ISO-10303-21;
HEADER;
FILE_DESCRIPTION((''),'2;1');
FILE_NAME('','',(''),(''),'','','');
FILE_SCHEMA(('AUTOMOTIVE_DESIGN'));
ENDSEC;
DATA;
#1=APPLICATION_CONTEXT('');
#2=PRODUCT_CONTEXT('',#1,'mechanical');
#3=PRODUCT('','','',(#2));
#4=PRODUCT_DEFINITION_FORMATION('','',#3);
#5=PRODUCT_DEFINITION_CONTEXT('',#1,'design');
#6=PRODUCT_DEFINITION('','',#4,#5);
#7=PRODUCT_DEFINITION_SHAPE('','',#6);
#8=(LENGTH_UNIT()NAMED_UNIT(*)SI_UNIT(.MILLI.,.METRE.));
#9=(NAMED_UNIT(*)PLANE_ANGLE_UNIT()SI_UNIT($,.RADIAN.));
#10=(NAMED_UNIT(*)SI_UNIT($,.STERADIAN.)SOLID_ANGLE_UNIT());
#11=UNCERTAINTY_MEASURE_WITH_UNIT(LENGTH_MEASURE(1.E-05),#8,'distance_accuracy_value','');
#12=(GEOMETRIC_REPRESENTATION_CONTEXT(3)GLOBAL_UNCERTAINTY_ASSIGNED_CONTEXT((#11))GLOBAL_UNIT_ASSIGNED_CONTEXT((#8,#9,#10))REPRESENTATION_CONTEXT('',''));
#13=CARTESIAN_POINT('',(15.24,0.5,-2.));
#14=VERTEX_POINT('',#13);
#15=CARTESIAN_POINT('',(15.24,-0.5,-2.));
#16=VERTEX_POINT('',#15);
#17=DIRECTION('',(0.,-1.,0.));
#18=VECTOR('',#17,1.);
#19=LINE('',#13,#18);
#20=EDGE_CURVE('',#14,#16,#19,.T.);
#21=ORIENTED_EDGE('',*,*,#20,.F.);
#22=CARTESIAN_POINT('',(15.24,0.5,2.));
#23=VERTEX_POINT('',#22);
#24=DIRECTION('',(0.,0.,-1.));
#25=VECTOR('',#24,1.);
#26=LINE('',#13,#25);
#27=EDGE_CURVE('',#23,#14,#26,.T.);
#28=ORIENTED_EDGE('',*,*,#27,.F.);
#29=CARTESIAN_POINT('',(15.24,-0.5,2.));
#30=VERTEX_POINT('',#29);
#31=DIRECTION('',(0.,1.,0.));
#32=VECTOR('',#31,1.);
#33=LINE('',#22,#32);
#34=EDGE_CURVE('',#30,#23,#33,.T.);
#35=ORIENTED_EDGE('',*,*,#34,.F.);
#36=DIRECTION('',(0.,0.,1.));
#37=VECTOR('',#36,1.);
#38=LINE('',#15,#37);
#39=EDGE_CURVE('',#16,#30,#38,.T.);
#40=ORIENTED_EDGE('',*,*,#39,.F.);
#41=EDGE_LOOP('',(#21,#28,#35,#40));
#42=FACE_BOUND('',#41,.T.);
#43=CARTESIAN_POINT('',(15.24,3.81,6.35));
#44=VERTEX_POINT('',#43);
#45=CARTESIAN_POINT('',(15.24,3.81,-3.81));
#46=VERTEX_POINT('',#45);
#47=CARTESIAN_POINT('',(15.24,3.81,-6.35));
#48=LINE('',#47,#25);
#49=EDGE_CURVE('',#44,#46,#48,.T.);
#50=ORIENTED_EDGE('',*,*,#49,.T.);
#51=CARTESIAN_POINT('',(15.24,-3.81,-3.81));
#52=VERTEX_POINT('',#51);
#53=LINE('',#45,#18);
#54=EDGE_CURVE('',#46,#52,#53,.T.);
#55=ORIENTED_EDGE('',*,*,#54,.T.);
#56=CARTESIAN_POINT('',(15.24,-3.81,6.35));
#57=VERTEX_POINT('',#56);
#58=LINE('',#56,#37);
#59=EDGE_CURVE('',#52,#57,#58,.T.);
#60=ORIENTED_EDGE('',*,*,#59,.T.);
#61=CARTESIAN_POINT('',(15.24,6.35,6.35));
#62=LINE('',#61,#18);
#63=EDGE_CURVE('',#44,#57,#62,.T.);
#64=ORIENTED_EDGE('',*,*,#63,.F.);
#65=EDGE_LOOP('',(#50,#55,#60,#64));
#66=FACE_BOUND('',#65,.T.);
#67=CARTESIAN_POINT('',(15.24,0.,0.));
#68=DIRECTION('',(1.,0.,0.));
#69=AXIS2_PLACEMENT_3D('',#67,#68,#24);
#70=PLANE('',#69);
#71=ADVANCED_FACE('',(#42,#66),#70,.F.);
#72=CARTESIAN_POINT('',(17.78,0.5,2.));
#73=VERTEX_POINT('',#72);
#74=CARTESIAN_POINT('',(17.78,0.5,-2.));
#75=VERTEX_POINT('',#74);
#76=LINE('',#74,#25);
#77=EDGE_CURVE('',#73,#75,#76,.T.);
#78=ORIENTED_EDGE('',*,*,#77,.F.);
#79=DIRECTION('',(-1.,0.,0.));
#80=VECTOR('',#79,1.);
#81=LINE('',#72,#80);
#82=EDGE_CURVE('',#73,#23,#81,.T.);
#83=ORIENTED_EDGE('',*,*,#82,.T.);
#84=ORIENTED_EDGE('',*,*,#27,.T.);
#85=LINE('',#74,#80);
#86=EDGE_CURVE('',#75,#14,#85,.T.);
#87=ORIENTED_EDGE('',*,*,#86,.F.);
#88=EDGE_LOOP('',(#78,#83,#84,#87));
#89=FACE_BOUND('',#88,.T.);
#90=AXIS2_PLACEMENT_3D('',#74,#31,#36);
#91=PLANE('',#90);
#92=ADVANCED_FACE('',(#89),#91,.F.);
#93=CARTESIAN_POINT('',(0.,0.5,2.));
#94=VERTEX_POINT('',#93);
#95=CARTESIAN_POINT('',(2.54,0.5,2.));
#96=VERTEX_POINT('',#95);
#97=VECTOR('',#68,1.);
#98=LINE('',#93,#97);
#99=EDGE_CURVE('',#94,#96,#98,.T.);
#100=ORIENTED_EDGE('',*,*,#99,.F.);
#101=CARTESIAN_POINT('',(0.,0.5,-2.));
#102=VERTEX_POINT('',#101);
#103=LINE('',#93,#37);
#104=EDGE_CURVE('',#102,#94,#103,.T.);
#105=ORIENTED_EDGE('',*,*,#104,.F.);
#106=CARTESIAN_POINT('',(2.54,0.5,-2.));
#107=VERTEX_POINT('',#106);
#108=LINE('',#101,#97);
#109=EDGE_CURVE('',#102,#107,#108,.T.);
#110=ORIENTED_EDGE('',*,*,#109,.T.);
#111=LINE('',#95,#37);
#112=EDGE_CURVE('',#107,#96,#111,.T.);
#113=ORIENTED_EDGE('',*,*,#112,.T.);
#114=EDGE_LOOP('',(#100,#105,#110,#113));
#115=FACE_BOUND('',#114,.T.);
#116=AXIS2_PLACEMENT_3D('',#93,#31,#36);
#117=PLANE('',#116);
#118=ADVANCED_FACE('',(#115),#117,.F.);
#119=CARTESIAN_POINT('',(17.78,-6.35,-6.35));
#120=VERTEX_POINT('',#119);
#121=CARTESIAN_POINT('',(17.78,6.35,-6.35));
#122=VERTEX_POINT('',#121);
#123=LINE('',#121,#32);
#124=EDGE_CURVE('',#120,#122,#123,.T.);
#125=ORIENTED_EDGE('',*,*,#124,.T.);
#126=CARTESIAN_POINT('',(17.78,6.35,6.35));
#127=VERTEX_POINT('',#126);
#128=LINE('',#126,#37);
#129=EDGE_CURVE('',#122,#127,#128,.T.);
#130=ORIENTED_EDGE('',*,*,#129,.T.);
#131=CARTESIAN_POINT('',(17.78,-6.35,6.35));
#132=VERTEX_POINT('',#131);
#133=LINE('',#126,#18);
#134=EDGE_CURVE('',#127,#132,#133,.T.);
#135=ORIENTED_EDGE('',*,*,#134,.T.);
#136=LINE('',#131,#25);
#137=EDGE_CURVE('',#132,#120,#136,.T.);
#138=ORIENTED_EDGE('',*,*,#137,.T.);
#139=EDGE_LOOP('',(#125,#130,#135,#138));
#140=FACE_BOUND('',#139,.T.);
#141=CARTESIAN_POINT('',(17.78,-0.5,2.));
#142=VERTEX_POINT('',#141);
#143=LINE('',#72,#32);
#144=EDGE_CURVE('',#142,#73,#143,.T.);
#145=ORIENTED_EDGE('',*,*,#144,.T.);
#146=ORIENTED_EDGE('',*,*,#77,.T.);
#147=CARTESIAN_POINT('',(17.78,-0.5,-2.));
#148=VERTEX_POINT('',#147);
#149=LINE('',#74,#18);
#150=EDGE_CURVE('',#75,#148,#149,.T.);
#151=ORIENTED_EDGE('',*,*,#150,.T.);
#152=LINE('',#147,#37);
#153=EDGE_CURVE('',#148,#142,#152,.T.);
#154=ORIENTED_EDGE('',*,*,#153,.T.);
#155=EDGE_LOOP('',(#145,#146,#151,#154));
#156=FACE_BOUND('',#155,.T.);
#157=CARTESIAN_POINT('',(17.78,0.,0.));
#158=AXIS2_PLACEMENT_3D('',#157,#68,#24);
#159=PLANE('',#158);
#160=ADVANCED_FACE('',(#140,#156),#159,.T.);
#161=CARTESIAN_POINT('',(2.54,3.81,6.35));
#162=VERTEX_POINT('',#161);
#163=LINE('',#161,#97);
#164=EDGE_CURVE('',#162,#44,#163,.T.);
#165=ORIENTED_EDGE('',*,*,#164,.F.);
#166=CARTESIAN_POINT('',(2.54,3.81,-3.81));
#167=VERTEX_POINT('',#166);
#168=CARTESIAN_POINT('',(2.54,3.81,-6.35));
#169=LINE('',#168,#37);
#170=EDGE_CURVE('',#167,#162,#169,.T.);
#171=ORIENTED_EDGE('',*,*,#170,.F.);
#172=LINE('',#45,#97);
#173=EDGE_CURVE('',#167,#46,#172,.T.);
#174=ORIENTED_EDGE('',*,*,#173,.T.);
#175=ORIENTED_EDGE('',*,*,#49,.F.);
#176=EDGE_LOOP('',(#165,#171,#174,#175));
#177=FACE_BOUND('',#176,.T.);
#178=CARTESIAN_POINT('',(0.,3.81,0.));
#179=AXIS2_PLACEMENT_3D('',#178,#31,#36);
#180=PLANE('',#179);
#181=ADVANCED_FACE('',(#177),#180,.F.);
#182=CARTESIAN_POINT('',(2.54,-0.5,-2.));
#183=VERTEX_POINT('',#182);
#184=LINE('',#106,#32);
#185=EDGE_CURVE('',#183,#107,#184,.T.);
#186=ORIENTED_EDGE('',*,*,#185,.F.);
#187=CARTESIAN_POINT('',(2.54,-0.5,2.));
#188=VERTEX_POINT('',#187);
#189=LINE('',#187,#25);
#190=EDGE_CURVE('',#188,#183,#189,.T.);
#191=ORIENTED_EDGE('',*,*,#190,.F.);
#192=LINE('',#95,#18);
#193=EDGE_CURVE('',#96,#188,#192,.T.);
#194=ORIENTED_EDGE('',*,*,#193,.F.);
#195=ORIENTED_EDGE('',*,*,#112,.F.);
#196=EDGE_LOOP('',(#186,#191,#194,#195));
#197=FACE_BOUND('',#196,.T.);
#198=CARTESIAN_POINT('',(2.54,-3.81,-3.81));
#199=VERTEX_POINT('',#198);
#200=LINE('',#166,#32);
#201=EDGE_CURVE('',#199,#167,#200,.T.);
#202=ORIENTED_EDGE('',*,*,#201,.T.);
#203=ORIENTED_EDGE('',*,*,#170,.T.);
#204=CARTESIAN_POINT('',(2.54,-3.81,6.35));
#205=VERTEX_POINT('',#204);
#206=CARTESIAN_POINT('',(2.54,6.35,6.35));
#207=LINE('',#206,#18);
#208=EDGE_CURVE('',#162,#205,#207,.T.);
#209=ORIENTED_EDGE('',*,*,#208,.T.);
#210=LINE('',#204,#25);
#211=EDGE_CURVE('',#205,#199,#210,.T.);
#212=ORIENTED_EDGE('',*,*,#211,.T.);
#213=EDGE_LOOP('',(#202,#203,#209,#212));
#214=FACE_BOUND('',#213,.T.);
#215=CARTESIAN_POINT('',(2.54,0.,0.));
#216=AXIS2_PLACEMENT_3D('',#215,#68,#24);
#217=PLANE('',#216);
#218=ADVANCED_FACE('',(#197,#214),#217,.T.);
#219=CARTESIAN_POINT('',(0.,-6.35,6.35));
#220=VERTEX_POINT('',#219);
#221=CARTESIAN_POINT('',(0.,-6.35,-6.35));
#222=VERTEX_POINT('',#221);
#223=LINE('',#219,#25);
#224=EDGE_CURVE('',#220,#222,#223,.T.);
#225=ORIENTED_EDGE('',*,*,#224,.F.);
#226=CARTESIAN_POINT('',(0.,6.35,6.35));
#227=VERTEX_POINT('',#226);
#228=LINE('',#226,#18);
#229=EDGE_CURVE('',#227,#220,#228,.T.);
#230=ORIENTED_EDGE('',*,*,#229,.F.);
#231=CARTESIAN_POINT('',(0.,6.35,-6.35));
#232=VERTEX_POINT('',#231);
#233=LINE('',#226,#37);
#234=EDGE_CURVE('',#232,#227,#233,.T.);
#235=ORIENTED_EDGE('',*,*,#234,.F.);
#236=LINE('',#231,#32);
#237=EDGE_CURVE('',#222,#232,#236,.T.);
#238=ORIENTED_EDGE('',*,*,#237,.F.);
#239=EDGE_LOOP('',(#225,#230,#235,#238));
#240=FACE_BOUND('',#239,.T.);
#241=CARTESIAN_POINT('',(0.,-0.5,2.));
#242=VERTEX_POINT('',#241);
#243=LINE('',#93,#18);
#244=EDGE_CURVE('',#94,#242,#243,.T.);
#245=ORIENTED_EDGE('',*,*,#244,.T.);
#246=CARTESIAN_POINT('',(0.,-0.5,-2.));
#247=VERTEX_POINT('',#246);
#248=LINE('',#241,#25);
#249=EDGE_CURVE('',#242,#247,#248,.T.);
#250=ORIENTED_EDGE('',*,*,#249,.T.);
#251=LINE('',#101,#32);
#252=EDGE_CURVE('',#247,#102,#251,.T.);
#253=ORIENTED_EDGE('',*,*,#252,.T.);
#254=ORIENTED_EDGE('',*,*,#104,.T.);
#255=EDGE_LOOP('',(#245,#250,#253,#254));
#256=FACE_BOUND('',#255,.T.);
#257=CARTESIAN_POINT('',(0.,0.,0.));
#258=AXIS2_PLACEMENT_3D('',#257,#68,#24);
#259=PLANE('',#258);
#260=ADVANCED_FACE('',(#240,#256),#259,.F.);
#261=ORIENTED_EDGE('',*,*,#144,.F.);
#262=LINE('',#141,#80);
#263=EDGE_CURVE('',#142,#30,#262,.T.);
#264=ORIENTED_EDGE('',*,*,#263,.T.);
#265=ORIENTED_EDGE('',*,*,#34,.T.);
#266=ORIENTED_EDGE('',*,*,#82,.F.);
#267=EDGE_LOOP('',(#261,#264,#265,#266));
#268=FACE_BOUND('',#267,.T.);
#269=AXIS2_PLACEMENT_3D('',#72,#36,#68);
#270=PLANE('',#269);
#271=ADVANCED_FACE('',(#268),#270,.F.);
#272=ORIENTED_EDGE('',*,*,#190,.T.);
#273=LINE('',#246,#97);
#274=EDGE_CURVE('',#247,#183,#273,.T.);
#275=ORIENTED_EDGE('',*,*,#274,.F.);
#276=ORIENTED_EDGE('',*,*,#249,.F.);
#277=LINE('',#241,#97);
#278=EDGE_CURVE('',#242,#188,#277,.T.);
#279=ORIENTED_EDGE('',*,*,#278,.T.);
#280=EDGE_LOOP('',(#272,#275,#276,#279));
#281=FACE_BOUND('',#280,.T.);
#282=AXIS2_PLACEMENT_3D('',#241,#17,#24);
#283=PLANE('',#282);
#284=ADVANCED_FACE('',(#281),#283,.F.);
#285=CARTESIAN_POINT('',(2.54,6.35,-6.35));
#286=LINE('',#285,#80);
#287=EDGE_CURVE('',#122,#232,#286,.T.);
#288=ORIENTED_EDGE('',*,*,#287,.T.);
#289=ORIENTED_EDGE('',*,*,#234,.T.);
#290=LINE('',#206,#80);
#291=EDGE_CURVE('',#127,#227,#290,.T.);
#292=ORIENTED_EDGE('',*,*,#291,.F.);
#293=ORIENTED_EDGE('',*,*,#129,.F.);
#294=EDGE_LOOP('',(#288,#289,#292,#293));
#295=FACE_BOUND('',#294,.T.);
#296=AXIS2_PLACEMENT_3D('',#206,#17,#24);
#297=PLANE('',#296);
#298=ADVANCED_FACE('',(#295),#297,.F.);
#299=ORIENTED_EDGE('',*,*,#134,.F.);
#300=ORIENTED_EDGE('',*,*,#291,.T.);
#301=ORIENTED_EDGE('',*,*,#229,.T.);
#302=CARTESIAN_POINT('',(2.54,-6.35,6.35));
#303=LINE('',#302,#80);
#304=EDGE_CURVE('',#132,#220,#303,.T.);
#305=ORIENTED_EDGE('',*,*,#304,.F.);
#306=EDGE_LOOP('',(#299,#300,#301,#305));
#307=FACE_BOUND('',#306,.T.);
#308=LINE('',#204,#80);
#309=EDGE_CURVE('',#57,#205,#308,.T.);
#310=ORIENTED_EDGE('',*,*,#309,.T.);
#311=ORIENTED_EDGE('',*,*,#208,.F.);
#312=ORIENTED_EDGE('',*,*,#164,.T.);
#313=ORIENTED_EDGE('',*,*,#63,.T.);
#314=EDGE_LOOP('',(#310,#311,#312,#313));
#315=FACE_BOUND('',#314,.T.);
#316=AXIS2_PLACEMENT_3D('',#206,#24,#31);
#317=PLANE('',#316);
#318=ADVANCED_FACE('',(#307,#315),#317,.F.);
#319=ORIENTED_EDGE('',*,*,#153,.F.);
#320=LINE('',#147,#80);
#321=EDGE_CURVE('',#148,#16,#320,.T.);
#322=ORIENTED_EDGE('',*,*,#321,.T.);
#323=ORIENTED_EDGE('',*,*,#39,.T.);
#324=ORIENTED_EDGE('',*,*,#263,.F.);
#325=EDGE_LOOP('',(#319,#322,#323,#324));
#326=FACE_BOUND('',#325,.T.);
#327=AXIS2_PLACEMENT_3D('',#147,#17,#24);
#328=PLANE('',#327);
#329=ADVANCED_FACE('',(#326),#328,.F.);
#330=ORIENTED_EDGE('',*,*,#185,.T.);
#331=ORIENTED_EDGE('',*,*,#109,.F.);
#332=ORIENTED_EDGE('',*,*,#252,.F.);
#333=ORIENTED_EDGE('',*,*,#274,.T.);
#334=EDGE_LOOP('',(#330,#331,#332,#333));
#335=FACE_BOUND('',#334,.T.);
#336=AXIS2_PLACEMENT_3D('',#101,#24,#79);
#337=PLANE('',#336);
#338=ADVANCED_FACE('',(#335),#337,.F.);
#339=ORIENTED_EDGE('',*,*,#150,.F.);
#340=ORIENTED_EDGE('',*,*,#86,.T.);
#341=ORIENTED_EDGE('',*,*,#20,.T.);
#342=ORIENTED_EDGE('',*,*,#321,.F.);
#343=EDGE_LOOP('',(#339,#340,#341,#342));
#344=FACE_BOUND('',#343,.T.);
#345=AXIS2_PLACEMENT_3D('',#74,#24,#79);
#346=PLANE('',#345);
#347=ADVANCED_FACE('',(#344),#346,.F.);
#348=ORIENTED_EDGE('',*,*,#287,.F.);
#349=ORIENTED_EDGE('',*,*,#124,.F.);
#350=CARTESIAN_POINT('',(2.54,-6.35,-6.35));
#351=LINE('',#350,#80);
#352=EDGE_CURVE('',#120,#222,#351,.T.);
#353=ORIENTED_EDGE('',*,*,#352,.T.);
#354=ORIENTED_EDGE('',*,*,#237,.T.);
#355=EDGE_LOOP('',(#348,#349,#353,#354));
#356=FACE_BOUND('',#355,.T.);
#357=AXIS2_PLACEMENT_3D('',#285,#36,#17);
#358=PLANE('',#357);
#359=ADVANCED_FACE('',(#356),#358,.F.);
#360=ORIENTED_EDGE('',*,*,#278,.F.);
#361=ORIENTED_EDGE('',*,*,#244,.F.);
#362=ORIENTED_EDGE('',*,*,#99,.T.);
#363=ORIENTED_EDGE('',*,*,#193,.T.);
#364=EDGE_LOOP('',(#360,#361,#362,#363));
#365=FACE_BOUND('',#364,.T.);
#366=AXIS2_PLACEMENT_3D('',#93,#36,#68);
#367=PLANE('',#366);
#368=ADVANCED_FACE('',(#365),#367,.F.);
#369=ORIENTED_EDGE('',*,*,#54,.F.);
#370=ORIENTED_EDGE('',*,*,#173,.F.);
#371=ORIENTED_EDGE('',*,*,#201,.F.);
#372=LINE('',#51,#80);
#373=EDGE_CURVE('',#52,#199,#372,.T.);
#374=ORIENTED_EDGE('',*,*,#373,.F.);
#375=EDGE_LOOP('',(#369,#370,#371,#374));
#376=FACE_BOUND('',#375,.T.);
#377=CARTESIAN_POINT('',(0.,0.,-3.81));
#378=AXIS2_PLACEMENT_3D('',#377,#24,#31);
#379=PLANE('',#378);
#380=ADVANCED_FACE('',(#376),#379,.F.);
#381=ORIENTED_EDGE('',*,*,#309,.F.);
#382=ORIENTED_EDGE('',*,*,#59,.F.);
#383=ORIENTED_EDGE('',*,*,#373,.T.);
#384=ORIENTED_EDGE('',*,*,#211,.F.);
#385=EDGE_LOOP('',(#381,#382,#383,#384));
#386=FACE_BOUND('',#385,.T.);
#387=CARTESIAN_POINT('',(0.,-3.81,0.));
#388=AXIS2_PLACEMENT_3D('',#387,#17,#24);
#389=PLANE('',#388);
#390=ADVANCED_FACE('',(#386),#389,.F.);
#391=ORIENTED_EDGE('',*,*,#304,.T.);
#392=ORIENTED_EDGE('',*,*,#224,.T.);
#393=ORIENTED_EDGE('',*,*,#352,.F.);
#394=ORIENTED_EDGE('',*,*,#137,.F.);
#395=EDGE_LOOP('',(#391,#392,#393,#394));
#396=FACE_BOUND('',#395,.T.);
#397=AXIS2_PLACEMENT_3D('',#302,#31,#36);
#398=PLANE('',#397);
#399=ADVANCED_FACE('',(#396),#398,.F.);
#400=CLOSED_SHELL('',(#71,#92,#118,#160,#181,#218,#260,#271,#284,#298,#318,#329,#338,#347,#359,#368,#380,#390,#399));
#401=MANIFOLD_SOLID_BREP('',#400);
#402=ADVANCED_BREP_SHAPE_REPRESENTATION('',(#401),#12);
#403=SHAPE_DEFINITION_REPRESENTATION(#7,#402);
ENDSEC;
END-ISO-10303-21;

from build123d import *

# Parameters (mm, degrees)
IZIM1_W                     = 12.7
IZIM1_H                     = 12.7
Y_KSEKLIK_EKSTR_ZYON1_DEPTH = 2.54
IZIM2_W                     = 4
IZIM2_H                     = 1
KES_EKSTR_ZYON1_DEPTH       = 2.54
IZIM3_W                     = 12.7
IZIM3_H                     = 12.7
Y_KSEKLIK_EKSTR_ZYON2_DEPTH = 2.54
IZIM4_W                     = 12.7
IZIM4_H                     = 12.7
Y_KSEKLIK_EKSTR_ZYON3_DEPTH = 2.54
IZIM5_W                     = 12.7
IZIM5_H                     = 7.62
Y_KSEKLIK_EKSTR_ZYON4_DEPTH = 2.54
IZIM7_W                     = 12.7
IZIM7_H                     = 12.7
Y_KSEKLIK_EKSTR_ZYON6_DEPTH = 2.54
IZIM8_W                     = 4
IZIM8_H                     = 1
KES_EKSTR_ZYON2_DEPTH       = 2.54


with BuildPart() as part:
    # Çizim1 → Yükseklik-Ekstrüzyon1 (new body)
    with BuildSketch(Plane(origin=(0, 0, 0), x_dir=(0, 0, -1), z_dir=(1, 0, 0))):
        Rectangle(IZIM1_W, IZIM1_H)
    extrude(amount=Y_KSEKLIK_EKSTR_ZYON1_DEPTH)

    # Çizim2 → Kes-Ekstrüzyon1 (cut)
    with BuildSketch(Plane(origin=(2.54, 0, 0), x_dir=(0, 0, -1), z_dir=(1, 0, 0))):
        Rectangle(IZIM2_W, IZIM2_H)
    extrude(amount=-KES_EKSTR_ZYON1_DEPTH, mode=Mode.SUBTRACT)

    # Çizim3 → Yükseklik-Ekstrüzyon2 (add)
    with BuildSketch(Plane(origin=(0, 6.35, 0), x_dir=(1, 0, 0), z_dir=(0, 1, 0))):
        with Locations((8.89, 0)):
            Rectangle(IZIM3_W, IZIM3_H)
    extrude(amount=-Y_KSEKLIK_EKSTR_ZYON2_DEPTH)

    # Çizim4 → Yükseklik-Ekstrüzyon3 (add)
    with BuildSketch(Plane.XZ.offset(6.35)):
        with Locations((8.89, 0)):
            Rectangle(IZIM4_W, IZIM4_H)
    extrude(amount=-Y_KSEKLIK_EKSTR_ZYON3_DEPTH)

    # Çizim5 → Yükseklik-Ekstrüzyon4 (add)
    with BuildSketch(Plane(origin=(0, 0, -6.35), x_dir=(-1, 0, 0), z_dir=(0, 0, -1))):
        with Locations((-8.89, 0)):
            Rectangle(IZIM5_W, IZIM5_H)
    extrude(amount=-Y_KSEKLIK_EKSTR_ZYON4_DEPTH)

    # Çizim7 → Yükseklik-Ekstrüzyon6 (add)
    with BuildSketch(Plane(origin=(15.24, 0, 0), x_dir=(0, 0, -1), z_dir=(1, 0, 0))):
        Rectangle(IZIM7_W, IZIM7_H)
    extrude(amount=Y_KSEKLIK_EKSTR_ZYON6_DEPTH)

    # Çizim8 → Kes-Ekstrüzyon2 (cut)
    with BuildSketch(Plane.ZY.offset(-15.24)):
        Rectangle(IZIM8_W, IZIM8_H)
    extrude(amount=-KES_EKSTR_ZYON2_DEPTH, mode=Mode.SUBTRACT)


solid = part.part
